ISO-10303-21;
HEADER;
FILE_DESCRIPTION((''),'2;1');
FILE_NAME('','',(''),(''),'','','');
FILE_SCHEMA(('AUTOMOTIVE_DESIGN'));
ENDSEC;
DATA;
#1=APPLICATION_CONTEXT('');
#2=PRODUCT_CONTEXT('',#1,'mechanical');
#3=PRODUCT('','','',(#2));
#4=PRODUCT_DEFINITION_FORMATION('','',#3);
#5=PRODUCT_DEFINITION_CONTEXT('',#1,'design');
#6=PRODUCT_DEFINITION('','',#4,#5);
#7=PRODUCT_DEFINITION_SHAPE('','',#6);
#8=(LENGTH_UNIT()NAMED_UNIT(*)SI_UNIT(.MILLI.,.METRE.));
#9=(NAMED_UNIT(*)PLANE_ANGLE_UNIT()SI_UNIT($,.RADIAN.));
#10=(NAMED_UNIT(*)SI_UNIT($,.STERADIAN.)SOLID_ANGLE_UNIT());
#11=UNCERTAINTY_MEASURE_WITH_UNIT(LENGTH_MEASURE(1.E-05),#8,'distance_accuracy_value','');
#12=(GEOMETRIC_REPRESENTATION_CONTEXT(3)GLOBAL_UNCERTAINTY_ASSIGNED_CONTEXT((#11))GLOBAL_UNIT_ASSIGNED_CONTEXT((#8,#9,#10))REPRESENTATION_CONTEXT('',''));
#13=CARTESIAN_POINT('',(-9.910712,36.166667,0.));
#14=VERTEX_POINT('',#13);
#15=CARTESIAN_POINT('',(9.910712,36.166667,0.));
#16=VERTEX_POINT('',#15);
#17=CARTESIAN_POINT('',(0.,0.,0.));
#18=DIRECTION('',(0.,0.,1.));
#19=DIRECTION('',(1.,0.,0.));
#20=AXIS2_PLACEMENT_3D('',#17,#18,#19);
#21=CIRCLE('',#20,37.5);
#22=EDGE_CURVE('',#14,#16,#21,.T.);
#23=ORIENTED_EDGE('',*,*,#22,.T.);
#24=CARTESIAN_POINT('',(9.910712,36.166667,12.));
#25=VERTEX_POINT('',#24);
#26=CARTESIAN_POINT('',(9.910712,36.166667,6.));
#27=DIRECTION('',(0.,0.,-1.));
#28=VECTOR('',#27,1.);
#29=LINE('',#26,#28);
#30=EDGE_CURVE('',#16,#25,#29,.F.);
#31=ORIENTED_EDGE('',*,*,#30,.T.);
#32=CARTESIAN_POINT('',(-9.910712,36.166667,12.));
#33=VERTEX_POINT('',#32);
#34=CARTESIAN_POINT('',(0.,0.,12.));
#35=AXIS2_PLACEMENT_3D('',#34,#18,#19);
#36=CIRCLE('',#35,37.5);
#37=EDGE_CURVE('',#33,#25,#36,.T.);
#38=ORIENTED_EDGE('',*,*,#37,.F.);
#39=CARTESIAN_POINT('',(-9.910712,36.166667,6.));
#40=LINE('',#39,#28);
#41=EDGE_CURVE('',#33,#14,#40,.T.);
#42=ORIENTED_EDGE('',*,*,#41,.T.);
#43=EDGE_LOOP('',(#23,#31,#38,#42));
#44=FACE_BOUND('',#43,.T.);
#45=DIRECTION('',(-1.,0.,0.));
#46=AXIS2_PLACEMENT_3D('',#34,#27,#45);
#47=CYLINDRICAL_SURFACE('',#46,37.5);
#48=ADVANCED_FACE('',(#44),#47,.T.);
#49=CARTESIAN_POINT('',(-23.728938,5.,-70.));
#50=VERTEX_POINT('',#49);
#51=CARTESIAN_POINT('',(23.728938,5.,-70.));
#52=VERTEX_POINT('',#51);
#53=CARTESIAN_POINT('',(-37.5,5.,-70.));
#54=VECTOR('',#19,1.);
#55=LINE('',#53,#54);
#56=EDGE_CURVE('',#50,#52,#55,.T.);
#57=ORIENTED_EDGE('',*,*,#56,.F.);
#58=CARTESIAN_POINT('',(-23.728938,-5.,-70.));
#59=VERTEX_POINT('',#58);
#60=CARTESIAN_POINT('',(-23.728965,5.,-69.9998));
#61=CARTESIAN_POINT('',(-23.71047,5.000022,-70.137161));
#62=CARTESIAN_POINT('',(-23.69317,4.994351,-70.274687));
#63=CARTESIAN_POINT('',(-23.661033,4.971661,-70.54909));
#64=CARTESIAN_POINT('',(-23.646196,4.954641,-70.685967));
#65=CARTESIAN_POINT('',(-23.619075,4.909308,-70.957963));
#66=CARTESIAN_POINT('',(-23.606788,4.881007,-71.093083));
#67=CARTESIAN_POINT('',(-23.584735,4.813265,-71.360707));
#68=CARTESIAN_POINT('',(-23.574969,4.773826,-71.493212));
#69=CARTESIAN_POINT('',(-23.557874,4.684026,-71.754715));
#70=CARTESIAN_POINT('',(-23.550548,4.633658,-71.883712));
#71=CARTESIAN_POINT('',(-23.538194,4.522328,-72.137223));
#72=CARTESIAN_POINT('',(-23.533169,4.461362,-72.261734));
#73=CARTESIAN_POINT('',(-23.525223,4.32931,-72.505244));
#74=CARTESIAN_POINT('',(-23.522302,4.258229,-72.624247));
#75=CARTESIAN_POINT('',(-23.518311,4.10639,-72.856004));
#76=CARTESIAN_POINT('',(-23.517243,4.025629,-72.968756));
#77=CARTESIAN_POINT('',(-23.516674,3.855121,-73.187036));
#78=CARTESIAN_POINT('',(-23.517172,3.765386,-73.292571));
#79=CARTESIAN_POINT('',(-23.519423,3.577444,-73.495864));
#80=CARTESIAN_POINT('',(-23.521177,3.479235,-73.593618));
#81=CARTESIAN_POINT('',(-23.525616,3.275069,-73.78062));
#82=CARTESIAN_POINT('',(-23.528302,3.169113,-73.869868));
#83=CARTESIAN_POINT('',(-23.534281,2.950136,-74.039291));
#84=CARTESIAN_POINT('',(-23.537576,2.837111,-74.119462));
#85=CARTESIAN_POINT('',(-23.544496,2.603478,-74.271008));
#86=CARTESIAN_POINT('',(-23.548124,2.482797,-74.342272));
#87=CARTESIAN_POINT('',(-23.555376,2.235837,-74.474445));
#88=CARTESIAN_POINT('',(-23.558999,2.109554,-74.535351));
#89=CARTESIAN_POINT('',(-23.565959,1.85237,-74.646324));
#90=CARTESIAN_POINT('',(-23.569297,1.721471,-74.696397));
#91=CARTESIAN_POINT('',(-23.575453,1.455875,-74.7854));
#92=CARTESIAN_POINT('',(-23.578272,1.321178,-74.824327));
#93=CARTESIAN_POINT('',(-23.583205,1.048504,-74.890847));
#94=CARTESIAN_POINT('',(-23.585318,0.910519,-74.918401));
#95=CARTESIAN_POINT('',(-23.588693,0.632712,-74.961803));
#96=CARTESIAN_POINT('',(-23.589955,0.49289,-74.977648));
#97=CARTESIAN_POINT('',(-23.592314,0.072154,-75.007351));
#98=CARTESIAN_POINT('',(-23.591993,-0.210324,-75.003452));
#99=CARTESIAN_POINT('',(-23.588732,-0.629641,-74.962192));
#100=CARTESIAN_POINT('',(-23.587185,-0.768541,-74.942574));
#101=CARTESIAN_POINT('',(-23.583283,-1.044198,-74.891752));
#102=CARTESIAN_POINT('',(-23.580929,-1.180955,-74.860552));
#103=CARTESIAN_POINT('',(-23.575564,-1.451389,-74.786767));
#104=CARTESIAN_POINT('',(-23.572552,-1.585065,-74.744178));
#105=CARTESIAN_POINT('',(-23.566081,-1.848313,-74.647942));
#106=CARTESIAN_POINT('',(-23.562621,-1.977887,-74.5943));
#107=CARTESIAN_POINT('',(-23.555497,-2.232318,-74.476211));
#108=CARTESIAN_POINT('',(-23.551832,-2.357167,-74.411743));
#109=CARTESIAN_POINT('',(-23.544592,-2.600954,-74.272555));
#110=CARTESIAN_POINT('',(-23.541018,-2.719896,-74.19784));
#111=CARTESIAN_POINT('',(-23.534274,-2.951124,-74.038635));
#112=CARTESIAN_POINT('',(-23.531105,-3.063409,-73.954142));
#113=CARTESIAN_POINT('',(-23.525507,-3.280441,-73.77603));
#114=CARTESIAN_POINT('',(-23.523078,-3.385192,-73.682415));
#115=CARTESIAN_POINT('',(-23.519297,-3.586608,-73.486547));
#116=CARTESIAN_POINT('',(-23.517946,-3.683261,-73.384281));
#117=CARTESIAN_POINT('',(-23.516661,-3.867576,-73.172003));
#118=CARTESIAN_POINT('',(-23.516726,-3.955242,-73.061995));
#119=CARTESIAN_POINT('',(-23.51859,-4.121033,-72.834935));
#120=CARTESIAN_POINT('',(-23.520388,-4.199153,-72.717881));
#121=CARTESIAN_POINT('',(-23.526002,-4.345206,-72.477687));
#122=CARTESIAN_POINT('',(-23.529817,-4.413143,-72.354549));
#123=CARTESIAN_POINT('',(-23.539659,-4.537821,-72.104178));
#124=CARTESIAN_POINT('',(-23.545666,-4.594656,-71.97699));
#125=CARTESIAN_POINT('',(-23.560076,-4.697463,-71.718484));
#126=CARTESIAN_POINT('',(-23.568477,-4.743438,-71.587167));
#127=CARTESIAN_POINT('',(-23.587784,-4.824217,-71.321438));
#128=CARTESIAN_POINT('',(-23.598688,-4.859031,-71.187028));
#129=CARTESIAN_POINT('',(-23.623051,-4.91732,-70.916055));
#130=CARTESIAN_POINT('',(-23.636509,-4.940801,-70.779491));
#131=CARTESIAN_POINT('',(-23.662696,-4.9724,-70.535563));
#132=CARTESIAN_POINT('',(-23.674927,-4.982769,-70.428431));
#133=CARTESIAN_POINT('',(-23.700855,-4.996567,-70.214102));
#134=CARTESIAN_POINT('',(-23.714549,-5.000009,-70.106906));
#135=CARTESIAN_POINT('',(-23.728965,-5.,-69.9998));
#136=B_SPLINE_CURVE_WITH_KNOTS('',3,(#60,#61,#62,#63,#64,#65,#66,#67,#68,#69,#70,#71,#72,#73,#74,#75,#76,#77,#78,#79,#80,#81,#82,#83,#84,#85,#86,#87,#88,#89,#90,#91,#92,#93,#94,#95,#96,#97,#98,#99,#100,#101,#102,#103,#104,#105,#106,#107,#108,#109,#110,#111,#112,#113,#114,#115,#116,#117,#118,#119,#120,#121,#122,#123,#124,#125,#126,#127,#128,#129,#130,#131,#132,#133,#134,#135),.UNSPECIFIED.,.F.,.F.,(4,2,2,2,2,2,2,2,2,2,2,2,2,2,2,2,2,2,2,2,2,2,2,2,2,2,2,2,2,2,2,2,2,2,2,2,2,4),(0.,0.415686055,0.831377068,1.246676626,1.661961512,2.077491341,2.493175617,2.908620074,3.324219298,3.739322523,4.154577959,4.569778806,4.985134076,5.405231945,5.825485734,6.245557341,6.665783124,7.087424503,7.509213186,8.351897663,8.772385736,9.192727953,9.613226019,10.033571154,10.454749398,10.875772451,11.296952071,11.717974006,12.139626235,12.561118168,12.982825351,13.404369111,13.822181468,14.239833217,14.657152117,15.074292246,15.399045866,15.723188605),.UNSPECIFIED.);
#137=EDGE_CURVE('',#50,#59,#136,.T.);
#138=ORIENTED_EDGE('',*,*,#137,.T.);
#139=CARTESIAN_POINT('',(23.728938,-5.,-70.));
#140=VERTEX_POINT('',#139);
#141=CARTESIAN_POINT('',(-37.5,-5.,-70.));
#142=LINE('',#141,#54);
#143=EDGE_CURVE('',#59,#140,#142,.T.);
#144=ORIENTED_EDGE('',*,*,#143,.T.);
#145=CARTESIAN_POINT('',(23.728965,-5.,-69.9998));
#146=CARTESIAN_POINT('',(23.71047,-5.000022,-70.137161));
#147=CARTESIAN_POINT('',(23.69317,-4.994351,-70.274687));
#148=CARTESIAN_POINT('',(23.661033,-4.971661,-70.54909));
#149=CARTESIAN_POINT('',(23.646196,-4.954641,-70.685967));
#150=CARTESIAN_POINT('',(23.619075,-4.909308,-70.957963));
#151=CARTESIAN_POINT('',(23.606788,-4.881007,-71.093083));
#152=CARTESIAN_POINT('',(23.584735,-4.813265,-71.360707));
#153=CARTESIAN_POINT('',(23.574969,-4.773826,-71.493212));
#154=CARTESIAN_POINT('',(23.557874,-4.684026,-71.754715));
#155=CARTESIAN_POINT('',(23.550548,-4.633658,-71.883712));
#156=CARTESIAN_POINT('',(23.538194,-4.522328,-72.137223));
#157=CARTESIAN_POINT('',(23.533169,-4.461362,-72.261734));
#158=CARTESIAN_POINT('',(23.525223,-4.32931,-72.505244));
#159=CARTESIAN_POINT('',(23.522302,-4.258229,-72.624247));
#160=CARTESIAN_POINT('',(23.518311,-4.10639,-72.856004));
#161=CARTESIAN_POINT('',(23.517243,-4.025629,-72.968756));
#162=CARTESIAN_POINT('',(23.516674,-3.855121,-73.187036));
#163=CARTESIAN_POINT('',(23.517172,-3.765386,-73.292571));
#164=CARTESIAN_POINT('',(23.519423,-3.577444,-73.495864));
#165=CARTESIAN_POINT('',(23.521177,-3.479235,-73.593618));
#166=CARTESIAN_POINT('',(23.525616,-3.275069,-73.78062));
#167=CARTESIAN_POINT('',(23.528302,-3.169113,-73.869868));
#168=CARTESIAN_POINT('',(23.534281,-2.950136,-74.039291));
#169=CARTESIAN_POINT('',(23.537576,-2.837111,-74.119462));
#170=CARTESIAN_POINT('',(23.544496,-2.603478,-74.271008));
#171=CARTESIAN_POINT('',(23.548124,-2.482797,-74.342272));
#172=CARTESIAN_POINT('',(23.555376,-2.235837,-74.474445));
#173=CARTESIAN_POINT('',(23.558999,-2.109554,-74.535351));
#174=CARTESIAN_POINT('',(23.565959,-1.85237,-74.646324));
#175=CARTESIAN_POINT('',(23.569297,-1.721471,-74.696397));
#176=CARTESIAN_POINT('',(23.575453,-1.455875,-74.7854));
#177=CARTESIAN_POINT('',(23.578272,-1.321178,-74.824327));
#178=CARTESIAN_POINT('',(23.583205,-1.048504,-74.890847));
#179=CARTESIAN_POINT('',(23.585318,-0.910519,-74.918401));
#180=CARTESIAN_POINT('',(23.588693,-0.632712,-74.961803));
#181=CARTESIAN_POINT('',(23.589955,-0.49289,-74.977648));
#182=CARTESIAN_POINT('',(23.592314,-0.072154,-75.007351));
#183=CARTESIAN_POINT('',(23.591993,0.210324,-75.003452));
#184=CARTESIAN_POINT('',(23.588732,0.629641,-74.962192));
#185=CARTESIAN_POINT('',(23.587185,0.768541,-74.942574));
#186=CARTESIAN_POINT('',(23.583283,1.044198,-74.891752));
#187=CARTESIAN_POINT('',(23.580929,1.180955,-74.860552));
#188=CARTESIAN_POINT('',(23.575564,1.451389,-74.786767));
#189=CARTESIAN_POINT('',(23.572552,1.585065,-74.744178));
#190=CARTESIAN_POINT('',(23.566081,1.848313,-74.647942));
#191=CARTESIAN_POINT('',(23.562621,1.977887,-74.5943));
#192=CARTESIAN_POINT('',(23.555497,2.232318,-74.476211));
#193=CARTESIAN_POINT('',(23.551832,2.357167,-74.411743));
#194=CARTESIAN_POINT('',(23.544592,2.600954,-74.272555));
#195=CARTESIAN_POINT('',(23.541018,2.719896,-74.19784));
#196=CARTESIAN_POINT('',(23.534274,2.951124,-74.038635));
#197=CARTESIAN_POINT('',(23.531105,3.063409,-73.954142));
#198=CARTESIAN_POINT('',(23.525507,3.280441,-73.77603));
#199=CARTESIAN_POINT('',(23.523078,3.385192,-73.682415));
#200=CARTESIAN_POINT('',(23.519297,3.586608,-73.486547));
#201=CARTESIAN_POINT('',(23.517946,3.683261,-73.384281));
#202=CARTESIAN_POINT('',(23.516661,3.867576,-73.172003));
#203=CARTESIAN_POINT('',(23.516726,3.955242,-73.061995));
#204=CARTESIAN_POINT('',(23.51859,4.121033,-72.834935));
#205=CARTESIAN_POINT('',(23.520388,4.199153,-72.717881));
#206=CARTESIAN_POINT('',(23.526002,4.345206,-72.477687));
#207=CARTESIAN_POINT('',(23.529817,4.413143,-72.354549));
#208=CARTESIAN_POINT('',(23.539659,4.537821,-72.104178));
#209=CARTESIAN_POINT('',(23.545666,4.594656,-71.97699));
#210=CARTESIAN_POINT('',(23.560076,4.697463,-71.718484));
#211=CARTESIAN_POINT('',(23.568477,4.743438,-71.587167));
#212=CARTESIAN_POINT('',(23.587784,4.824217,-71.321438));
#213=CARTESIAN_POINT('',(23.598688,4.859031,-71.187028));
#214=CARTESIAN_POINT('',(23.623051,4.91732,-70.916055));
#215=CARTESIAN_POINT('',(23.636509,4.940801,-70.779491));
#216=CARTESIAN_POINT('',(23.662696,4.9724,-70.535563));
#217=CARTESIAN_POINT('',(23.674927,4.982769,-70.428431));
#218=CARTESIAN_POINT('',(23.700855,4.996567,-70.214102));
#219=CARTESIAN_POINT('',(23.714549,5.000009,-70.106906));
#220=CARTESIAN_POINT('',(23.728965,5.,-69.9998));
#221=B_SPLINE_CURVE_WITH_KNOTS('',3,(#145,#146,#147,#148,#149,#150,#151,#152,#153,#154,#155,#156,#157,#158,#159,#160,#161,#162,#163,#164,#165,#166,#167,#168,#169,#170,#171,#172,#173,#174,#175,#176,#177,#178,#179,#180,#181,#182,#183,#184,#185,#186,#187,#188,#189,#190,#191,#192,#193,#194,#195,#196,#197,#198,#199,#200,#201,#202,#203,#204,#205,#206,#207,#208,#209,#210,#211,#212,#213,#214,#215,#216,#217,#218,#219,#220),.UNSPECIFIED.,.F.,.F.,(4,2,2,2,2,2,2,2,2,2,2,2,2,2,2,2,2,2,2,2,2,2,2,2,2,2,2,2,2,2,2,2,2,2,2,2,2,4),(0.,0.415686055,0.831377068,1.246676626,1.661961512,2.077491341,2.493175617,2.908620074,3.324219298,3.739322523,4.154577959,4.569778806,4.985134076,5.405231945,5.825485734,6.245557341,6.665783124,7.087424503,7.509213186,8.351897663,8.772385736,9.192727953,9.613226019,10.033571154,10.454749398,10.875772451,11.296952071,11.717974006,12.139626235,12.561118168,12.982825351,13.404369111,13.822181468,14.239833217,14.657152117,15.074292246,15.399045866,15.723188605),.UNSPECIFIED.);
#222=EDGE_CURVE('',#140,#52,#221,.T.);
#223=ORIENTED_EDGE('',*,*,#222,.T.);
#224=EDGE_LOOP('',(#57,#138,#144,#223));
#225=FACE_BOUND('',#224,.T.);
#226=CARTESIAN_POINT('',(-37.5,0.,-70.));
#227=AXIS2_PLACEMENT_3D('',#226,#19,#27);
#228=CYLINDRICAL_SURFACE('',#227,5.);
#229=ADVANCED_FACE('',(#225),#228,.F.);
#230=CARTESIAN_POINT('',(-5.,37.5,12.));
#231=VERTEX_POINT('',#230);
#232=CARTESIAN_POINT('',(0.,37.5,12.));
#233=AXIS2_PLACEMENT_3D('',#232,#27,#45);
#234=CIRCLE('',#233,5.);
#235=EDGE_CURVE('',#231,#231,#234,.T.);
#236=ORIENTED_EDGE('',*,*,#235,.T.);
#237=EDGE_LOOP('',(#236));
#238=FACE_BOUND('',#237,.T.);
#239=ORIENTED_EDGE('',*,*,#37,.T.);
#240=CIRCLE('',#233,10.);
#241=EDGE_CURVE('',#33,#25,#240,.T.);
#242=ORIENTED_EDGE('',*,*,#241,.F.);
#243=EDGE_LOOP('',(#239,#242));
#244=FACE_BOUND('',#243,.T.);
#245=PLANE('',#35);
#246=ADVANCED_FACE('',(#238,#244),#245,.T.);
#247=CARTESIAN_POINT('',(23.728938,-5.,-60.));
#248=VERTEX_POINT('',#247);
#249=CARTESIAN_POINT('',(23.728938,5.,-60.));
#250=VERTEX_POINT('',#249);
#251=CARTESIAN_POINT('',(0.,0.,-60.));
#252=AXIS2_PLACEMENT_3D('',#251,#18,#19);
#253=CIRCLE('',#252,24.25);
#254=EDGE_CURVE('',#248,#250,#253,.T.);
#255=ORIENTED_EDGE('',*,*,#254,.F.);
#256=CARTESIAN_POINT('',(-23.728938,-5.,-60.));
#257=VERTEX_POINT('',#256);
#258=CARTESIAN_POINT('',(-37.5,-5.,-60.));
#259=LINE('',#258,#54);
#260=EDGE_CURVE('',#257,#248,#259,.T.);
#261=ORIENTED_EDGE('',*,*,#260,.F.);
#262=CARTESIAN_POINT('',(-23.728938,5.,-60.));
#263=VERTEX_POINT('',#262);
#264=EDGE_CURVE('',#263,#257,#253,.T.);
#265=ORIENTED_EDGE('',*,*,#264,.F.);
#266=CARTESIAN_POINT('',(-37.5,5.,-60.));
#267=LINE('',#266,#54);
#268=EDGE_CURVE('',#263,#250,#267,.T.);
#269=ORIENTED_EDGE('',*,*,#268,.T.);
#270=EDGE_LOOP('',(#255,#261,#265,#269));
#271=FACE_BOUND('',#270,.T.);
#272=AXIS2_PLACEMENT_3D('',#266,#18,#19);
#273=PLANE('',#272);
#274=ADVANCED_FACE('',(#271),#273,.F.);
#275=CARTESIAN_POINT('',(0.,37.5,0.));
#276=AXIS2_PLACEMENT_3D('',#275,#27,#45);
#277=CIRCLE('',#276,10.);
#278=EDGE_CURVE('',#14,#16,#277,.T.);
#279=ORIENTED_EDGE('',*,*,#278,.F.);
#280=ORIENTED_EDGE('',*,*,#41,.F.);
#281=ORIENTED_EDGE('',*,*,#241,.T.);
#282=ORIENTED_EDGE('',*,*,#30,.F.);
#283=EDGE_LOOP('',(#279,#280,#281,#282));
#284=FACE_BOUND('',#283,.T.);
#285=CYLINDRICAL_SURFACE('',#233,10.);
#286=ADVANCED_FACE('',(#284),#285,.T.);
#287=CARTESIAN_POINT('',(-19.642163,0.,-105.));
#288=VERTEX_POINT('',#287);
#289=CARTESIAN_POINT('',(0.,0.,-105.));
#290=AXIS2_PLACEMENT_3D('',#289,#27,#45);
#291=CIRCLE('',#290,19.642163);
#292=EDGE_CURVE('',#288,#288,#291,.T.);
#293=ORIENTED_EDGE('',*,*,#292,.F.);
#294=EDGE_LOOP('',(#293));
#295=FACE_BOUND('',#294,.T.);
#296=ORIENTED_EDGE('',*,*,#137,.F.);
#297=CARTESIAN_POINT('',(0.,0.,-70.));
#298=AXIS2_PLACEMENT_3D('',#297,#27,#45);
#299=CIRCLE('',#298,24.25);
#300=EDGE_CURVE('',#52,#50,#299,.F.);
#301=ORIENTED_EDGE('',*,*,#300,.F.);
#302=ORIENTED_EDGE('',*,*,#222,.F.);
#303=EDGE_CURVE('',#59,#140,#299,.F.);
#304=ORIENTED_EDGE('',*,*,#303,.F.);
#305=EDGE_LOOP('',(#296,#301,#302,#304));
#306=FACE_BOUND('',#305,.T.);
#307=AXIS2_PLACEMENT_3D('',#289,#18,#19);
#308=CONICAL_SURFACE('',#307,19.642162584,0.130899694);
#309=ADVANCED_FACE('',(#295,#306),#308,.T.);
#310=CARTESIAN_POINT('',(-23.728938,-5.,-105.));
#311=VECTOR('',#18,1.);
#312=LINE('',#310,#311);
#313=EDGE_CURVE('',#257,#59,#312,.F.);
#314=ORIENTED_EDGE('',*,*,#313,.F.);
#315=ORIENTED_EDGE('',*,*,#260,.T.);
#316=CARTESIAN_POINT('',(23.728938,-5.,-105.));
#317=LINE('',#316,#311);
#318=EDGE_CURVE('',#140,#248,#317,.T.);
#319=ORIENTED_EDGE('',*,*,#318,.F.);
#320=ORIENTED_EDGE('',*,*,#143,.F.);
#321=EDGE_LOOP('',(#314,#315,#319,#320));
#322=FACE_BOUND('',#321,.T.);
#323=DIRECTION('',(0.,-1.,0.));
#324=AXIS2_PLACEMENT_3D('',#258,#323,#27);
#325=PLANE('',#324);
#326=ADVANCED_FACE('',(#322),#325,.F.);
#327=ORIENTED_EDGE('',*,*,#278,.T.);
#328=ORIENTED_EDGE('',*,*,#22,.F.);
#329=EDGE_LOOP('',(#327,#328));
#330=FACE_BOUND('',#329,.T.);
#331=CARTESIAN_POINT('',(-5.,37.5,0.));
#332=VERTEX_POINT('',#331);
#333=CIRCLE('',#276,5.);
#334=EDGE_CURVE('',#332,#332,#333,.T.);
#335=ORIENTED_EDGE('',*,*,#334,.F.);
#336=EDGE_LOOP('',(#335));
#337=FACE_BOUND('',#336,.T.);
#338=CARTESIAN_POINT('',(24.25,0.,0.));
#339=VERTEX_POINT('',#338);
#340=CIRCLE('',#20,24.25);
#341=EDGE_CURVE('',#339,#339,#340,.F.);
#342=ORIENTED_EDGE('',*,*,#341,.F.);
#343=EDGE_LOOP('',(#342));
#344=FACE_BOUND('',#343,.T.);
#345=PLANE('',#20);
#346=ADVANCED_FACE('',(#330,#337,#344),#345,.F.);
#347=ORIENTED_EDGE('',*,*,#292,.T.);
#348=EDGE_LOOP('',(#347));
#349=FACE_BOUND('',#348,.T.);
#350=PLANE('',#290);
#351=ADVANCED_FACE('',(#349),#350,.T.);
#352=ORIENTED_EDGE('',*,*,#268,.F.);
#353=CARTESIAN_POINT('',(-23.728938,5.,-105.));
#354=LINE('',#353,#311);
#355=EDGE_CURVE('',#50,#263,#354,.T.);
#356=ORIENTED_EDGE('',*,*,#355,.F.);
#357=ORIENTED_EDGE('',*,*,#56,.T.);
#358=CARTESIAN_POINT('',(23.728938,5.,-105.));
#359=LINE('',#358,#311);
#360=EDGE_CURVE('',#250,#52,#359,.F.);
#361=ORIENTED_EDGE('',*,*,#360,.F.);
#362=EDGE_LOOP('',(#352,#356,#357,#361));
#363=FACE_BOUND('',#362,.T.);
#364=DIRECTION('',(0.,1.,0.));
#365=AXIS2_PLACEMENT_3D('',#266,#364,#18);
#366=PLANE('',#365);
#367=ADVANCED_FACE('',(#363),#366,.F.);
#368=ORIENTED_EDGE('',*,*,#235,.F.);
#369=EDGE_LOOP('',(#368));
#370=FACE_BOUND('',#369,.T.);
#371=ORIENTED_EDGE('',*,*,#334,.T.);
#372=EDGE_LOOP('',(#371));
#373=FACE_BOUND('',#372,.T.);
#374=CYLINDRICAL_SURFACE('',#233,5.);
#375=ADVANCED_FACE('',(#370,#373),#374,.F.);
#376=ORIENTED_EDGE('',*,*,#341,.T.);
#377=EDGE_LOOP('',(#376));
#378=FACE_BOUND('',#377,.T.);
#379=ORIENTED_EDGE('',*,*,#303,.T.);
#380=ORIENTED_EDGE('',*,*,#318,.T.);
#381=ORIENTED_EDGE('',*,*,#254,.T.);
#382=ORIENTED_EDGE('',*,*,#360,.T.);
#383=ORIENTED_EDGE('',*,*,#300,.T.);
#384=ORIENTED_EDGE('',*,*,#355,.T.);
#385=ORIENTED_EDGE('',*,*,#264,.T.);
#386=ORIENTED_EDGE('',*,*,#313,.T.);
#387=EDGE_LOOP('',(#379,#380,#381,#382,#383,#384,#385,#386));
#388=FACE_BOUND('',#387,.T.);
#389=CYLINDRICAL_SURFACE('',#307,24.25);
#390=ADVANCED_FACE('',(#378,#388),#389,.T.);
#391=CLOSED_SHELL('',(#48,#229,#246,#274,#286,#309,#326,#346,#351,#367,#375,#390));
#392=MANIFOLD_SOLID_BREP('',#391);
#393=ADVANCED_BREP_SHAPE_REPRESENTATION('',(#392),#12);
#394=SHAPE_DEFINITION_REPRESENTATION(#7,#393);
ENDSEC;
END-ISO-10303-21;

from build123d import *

# Parameters (mm, degrees)
SKETCH_1_R          = 37.5
EXTRUDE_1_DEPTH     = 12
SKETCH_2_R          = 24.25
EXTRUDE_2_DEPTH     = 105
CHAMFER_1_SIZE      = 35
CHAMFER_1_SIZE2     = 4.607837416
CUT_EXTRUDE_3_DEPTH = 178.024009671
SKETCH_6_R          = 10
EXTRUDE_4_DEPTH     = 12
SKETCH_7_R          = 5
CUT_EXTRUDE_5_DEPTH = 122.191996522


with BuildPart() as part:
    # 草图1 → 拉伸1 (new body)
    with BuildSketch(Plane.XY):
        Circle(SKETCH_1_R)
    extrude(amount=EXTRUDE_1_DEPTH)

    # 草图2 → 拉伸2 (add)
    with BuildSketch(Plane(origin=(0, 0, 0), x_dir=(-1, 0, 0), z_dir=(0, 0, -1))):
        with Locations(Location((0, 0, 0), (0, 0, 180))):
            Circle(SKETCH_2_R)
    extrude(amount=EXTRUDE_2_DEPTH)

    # 倒角1
    chamfer_1_edges = [part.edges().sort_by_distance(p)[0] for p in [
        (-24.25, 0, -105),
    ]]
    chamfer_1_side = [part.faces().sort_by_distance(p)[0] for p in [
        (-24.25, 0, -52.5),
    ]]
    chamfer(chamfer_1_edges, length=CHAMFER_1_SIZE, length2=CHAMFER_1_SIZE2, reference=chamfer_1_side[0])

    # 草图3 → 拉伸3 (cut, through all)
    with BuildSketch(Plane(origin=(100, 0, 0), x_dir=(0, 0, -1), z_dir=(1, 0, 0))):
        with BuildLine():
            Line((60, 5), (70, 5))
            ThreePointArc((70, 5), (75, 0), (70, -5))
            Line((70, -5), (60, -5))
            Line((60, -5), (60, 5))
        make_face()
    extrude(amount=-CUT_EXTRUDE_3_DEPTH, mode=Mode.SUBTRACT)

    # 草图6 → 拉伸4 (add)
    with BuildSketch(Plane(origin=(0, 0, 0), x_dir=(-1, 0, 0), z_dir=(0, 0, -1))):
        with Locations((0, 37.5)):
            Circle(SKETCH_6_R)
    extrude(amount=-EXTRUDE_4_DEPTH)

    # 草图7 → 拉伸5 (cut, through all)
    with BuildSketch(Plane(origin=(0, 0, 0), x_dir=(-1, 0, 0), z_dir=(0, 0, -1))):
        with Locations((0, 37.5)):
            Circle(SKETCH_7_R)
    extrude(amount=-CUT_EXTRUDE_5_DEPTH, mode=Mode.SUBTRACT)


solid = part.part
